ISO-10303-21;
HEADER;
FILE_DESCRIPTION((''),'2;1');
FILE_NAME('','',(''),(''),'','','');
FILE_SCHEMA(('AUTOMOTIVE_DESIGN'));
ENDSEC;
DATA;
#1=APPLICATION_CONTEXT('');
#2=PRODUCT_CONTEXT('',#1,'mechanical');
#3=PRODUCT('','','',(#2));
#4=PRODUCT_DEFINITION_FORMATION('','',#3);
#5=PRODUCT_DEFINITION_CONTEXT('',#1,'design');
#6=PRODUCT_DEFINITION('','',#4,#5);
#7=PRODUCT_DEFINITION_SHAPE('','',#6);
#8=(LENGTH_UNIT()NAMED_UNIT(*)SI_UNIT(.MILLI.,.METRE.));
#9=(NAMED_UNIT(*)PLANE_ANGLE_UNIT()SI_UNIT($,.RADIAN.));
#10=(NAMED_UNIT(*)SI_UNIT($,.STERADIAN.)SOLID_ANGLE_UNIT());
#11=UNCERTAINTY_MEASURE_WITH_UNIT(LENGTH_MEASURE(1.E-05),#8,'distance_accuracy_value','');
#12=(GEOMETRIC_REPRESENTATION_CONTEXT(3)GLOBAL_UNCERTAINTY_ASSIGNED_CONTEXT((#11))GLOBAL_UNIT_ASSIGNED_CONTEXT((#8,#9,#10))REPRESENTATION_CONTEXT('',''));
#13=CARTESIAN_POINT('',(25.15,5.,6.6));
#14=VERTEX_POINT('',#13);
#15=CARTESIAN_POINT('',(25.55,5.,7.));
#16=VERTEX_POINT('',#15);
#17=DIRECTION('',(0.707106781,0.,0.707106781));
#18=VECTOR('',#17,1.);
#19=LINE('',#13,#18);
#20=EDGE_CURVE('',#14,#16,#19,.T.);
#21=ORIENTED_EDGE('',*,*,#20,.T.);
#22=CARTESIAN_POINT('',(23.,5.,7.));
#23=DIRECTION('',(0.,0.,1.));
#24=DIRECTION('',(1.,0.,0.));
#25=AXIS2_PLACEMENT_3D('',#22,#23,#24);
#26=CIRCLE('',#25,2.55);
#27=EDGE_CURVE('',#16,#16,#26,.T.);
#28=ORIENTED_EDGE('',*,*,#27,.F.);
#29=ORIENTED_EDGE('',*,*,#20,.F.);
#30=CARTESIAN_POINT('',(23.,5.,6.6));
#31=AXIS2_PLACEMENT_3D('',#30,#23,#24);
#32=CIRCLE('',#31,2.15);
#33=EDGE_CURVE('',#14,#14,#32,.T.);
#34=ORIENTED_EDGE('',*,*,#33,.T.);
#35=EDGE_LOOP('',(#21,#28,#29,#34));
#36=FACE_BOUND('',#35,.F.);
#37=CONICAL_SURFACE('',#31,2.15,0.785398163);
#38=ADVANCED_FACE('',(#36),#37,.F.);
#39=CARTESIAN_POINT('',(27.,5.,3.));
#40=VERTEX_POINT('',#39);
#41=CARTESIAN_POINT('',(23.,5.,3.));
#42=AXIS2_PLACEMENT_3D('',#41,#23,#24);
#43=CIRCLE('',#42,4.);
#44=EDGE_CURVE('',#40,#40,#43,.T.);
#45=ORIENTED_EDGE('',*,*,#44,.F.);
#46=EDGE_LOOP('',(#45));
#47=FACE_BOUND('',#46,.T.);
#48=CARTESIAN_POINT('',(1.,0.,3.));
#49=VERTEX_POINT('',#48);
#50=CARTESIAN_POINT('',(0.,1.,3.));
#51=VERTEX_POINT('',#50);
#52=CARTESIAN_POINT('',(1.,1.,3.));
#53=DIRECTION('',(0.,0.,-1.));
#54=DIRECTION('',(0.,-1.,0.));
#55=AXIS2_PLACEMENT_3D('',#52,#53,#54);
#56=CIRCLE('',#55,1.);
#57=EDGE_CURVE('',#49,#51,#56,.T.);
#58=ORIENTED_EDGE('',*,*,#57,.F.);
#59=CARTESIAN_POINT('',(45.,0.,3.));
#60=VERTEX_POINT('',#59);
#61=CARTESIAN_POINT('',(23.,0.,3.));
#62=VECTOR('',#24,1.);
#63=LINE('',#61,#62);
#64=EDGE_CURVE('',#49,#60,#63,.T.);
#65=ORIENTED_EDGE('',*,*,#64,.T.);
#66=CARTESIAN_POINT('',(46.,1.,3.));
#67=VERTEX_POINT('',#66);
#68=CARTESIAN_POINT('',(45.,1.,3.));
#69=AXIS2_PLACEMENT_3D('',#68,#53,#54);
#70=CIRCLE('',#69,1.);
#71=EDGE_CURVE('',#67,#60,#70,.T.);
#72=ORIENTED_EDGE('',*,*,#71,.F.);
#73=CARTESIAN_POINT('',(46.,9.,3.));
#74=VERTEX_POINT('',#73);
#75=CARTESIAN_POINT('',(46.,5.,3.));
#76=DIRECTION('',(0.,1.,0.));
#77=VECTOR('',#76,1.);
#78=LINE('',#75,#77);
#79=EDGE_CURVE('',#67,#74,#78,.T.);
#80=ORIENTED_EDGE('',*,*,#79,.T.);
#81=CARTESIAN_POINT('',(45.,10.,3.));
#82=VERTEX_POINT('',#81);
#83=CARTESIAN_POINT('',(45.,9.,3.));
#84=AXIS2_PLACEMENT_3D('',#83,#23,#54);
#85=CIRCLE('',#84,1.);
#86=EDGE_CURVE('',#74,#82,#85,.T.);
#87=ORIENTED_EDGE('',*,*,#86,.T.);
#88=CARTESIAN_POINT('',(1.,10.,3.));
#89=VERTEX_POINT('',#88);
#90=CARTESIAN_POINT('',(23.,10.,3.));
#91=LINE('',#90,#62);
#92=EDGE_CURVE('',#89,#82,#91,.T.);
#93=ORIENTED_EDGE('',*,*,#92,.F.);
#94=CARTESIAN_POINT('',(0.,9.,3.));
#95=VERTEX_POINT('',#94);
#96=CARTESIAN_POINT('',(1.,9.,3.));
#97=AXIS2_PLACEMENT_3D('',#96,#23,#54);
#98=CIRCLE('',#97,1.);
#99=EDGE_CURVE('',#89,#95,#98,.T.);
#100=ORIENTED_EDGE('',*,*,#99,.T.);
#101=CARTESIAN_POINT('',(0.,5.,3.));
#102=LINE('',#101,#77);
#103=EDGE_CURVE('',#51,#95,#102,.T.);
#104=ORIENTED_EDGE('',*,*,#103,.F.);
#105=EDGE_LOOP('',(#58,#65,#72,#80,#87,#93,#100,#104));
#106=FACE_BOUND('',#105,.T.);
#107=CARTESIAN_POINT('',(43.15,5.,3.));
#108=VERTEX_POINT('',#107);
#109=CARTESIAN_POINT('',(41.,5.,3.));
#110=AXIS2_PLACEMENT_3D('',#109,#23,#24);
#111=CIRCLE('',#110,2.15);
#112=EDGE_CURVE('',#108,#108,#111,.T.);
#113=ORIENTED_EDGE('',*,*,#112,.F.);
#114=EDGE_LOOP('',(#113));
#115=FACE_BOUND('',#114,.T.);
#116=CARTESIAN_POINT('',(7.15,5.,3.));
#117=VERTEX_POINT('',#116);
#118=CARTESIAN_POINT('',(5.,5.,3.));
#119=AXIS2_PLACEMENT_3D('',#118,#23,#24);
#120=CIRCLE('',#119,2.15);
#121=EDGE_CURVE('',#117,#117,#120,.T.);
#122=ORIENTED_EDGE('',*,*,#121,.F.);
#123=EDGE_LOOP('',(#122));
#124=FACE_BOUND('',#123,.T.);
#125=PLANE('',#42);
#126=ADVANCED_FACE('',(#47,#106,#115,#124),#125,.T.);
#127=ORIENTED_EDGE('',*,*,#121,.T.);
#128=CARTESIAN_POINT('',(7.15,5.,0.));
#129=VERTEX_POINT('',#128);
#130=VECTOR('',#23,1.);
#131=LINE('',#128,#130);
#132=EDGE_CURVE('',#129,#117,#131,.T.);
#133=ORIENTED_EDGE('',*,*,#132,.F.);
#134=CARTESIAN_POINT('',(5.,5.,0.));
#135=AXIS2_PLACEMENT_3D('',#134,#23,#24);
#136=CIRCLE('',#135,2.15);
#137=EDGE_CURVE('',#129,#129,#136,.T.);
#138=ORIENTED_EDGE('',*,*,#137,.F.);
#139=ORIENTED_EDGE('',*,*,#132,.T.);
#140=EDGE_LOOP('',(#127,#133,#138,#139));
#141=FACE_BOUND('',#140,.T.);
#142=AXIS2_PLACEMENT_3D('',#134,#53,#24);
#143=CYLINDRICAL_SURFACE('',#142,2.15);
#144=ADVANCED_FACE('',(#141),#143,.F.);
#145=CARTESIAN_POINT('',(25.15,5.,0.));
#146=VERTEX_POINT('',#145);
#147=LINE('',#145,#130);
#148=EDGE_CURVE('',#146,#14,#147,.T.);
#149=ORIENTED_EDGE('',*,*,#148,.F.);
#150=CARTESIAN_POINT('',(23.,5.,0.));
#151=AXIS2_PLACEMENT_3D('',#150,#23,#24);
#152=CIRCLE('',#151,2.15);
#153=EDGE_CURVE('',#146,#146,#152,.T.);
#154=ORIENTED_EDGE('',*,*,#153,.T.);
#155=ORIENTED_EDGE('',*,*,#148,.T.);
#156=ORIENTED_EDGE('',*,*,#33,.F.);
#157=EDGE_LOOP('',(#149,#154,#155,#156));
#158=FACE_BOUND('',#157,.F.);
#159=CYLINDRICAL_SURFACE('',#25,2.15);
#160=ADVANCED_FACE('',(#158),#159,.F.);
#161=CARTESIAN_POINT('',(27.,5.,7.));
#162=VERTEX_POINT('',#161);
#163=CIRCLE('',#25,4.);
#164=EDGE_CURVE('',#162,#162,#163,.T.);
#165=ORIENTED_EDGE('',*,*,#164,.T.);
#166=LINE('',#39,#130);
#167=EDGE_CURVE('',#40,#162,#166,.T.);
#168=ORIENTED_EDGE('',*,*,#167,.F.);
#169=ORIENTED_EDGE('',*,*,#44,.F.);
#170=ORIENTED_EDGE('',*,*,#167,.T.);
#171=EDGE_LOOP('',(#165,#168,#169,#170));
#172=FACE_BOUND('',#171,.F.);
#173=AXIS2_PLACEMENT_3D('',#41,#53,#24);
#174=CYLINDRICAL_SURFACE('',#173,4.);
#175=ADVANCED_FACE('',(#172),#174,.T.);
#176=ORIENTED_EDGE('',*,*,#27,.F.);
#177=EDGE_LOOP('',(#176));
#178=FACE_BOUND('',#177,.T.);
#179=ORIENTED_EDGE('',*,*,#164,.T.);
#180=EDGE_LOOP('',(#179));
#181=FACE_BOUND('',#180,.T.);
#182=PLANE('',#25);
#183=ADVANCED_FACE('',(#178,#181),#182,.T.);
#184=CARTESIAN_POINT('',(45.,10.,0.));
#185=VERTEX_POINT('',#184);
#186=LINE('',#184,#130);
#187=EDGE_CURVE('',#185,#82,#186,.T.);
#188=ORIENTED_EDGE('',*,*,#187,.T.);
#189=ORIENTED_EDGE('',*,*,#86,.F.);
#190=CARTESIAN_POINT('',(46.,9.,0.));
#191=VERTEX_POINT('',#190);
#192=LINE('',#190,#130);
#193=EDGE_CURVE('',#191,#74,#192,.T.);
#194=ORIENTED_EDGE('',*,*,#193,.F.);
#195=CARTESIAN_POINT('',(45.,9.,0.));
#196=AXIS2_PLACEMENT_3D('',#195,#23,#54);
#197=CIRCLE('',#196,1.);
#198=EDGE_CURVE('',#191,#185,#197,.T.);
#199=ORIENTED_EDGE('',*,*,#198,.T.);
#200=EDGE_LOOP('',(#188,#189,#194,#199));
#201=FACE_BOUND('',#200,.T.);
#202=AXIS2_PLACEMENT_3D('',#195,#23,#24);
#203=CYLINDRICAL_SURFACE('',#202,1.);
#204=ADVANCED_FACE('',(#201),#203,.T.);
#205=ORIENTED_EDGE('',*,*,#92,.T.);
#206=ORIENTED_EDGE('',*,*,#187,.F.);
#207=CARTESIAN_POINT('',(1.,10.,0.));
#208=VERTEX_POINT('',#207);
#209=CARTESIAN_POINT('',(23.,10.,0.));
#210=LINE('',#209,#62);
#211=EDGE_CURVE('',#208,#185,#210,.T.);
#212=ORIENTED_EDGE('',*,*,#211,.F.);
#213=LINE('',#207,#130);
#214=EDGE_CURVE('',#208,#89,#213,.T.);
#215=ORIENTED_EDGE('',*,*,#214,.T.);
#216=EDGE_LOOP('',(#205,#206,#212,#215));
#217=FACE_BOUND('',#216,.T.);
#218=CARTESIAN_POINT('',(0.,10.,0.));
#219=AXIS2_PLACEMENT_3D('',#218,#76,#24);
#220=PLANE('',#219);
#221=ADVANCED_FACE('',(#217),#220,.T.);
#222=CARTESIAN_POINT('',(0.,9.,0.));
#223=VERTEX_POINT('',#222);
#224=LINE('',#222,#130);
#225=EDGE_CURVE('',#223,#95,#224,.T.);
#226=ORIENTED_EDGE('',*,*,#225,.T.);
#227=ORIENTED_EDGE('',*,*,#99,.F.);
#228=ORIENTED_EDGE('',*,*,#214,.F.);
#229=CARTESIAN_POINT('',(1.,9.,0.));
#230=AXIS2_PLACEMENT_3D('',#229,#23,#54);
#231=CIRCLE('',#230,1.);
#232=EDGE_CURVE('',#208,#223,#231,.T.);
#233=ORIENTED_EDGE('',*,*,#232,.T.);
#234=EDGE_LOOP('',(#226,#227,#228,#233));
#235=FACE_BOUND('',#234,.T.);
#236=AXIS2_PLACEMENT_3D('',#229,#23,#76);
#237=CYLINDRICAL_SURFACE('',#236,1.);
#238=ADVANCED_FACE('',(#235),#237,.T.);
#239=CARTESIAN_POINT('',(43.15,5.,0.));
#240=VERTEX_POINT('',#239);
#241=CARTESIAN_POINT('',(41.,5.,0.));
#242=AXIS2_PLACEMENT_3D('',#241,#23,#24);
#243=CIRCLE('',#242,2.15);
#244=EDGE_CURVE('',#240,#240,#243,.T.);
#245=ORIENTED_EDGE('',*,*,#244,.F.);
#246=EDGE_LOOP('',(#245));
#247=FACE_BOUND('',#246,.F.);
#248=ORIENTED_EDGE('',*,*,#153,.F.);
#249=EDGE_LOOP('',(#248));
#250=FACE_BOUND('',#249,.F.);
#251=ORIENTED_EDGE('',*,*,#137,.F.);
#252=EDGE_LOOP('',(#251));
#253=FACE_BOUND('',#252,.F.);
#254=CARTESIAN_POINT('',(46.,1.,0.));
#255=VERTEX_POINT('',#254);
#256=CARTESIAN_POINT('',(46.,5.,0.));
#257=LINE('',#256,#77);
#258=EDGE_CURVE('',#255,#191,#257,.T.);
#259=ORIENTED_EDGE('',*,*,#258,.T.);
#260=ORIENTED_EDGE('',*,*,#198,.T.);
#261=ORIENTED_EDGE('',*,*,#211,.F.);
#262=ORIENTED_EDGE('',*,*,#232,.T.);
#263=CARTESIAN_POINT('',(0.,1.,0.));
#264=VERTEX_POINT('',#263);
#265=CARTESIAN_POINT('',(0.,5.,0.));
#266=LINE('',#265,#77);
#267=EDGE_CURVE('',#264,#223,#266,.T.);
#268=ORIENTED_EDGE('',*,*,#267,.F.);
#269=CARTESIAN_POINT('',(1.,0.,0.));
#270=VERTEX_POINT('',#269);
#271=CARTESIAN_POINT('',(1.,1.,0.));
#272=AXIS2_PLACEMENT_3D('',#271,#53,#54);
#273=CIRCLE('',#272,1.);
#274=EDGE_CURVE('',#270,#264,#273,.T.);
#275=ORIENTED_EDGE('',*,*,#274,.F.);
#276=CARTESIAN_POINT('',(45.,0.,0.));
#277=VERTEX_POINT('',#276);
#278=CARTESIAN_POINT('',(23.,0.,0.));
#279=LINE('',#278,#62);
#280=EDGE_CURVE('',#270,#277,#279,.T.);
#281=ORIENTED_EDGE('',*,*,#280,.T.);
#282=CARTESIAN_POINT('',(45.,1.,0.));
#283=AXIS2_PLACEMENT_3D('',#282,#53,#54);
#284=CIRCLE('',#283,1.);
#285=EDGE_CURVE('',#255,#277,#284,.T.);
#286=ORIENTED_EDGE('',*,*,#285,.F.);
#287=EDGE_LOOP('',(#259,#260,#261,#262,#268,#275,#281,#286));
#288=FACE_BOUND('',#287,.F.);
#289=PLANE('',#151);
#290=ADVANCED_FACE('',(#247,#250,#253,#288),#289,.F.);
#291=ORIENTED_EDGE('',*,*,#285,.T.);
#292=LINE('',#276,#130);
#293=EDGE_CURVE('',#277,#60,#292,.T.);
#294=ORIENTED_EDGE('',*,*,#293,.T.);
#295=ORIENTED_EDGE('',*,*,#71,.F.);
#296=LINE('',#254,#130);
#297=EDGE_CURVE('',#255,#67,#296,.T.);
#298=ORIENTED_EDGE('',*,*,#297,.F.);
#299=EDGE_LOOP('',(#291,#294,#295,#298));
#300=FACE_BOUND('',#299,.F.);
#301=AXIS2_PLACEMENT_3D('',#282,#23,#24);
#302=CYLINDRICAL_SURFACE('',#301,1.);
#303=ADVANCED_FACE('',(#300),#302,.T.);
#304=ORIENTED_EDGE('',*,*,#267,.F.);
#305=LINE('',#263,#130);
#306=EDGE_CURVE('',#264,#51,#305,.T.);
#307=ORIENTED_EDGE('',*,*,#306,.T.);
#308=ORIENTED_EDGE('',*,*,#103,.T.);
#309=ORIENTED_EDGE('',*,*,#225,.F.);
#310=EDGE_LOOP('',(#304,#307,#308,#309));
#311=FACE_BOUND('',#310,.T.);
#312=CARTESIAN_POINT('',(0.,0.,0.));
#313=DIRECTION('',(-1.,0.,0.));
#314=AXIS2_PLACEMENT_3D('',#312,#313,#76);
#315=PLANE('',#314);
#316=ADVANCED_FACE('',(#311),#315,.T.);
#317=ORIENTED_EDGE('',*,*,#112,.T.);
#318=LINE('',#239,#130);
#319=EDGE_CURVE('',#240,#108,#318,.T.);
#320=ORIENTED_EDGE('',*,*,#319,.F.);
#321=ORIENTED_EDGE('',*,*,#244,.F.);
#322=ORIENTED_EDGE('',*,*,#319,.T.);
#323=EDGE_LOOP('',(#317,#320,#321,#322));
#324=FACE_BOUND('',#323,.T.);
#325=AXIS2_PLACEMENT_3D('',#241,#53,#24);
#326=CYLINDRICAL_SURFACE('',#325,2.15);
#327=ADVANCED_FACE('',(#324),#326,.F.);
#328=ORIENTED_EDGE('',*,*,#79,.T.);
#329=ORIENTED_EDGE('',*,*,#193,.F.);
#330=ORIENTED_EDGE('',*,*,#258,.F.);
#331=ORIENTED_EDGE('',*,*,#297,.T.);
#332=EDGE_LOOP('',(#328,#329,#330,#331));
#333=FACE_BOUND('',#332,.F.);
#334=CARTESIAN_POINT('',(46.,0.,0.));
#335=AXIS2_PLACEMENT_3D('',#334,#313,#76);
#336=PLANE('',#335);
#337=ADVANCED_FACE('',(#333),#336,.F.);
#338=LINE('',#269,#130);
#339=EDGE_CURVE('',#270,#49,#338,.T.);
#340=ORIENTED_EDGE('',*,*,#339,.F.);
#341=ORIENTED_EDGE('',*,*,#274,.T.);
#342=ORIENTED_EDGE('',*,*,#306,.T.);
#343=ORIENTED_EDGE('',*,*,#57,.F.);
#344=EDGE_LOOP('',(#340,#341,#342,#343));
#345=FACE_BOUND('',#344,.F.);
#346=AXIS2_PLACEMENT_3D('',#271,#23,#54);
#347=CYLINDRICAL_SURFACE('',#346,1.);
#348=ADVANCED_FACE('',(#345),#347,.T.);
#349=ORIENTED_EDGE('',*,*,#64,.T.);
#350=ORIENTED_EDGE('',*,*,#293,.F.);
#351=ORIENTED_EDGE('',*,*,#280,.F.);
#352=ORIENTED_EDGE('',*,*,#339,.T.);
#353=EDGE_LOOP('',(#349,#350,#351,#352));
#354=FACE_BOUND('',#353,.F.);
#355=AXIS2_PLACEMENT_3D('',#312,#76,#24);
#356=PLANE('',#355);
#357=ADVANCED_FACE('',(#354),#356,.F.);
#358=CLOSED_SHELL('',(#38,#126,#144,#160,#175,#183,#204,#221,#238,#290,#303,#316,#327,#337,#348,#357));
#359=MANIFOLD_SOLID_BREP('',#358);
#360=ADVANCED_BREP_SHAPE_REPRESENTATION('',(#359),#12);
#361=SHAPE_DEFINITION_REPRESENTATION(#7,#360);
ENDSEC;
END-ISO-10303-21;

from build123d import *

# Parameters (mm, degrees)
SKETCH_W     = 46
SKETCH_H     = 10
SKETCH_R     = 2.15
PAD_DEPTH    = 3
SKETCH001_R  = 4
PAD001_DEPTH = 4
SKETCH002_R  = 2.15
POCKET_DEPTH = 7.001
FILLET_R     = 1
CHAMFER_SIZE = 0.4


with BuildPart() as part:
    # Sketch → Pad (new body)
    with BuildSketch(Plane.XY):
        with Locations((23, 5)):
            Rectangle(SKETCH_W, SKETCH_H)
        with Locations((5, 5)):
            Circle(SKETCH_R, mode=Mode.SUBTRACT)
        with Locations((41, 5)):
            Circle(SKETCH_R, mode=Mode.SUBTRACT)
        with Locations((23, 5)):
            Circle(SKETCH_R, mode=Mode.SUBTRACT)
    extrude(amount=PAD_DEPTH)

    # Sketch001 (on Face9 of Pad) → Pad001 (join)
    with BuildSketch(Plane.XY.offset(3)):
        with Locations((23, 5)):
            Circle(SKETCH001_R)
    extrude(amount=PAD001_DEPTH)

    # Sketch002 (on Face12 of Pad001) → Pocket (cut, through all)
    with BuildSketch(Plane.XY.offset(7)):
        with Locations((23, 5)):
            Circle(SKETCH002_R)
    extrude(amount=-POCKET_DEPTH, mode=Mode.SUBTRACT)

    # Fillet
    fillet_edges = [part.edges().sort_by_distance(p)[0] for p in [
        (0, 10, 1.5),
        (0, 0, 1.5),
        (46, 0, 1.5),
        (46, 10, 1.5),
    ]]
    fillet(fillet_edges, radius=FILLET_R)

    # Chamfer
    chamfer_edges = [part.edges().sort_by_distance(p)[0] for p in [
        (20.85, 5, 7),
    ]]
    chamfer(chamfer_edges, length=CHAMFER_SIZE)


solid = part.part
